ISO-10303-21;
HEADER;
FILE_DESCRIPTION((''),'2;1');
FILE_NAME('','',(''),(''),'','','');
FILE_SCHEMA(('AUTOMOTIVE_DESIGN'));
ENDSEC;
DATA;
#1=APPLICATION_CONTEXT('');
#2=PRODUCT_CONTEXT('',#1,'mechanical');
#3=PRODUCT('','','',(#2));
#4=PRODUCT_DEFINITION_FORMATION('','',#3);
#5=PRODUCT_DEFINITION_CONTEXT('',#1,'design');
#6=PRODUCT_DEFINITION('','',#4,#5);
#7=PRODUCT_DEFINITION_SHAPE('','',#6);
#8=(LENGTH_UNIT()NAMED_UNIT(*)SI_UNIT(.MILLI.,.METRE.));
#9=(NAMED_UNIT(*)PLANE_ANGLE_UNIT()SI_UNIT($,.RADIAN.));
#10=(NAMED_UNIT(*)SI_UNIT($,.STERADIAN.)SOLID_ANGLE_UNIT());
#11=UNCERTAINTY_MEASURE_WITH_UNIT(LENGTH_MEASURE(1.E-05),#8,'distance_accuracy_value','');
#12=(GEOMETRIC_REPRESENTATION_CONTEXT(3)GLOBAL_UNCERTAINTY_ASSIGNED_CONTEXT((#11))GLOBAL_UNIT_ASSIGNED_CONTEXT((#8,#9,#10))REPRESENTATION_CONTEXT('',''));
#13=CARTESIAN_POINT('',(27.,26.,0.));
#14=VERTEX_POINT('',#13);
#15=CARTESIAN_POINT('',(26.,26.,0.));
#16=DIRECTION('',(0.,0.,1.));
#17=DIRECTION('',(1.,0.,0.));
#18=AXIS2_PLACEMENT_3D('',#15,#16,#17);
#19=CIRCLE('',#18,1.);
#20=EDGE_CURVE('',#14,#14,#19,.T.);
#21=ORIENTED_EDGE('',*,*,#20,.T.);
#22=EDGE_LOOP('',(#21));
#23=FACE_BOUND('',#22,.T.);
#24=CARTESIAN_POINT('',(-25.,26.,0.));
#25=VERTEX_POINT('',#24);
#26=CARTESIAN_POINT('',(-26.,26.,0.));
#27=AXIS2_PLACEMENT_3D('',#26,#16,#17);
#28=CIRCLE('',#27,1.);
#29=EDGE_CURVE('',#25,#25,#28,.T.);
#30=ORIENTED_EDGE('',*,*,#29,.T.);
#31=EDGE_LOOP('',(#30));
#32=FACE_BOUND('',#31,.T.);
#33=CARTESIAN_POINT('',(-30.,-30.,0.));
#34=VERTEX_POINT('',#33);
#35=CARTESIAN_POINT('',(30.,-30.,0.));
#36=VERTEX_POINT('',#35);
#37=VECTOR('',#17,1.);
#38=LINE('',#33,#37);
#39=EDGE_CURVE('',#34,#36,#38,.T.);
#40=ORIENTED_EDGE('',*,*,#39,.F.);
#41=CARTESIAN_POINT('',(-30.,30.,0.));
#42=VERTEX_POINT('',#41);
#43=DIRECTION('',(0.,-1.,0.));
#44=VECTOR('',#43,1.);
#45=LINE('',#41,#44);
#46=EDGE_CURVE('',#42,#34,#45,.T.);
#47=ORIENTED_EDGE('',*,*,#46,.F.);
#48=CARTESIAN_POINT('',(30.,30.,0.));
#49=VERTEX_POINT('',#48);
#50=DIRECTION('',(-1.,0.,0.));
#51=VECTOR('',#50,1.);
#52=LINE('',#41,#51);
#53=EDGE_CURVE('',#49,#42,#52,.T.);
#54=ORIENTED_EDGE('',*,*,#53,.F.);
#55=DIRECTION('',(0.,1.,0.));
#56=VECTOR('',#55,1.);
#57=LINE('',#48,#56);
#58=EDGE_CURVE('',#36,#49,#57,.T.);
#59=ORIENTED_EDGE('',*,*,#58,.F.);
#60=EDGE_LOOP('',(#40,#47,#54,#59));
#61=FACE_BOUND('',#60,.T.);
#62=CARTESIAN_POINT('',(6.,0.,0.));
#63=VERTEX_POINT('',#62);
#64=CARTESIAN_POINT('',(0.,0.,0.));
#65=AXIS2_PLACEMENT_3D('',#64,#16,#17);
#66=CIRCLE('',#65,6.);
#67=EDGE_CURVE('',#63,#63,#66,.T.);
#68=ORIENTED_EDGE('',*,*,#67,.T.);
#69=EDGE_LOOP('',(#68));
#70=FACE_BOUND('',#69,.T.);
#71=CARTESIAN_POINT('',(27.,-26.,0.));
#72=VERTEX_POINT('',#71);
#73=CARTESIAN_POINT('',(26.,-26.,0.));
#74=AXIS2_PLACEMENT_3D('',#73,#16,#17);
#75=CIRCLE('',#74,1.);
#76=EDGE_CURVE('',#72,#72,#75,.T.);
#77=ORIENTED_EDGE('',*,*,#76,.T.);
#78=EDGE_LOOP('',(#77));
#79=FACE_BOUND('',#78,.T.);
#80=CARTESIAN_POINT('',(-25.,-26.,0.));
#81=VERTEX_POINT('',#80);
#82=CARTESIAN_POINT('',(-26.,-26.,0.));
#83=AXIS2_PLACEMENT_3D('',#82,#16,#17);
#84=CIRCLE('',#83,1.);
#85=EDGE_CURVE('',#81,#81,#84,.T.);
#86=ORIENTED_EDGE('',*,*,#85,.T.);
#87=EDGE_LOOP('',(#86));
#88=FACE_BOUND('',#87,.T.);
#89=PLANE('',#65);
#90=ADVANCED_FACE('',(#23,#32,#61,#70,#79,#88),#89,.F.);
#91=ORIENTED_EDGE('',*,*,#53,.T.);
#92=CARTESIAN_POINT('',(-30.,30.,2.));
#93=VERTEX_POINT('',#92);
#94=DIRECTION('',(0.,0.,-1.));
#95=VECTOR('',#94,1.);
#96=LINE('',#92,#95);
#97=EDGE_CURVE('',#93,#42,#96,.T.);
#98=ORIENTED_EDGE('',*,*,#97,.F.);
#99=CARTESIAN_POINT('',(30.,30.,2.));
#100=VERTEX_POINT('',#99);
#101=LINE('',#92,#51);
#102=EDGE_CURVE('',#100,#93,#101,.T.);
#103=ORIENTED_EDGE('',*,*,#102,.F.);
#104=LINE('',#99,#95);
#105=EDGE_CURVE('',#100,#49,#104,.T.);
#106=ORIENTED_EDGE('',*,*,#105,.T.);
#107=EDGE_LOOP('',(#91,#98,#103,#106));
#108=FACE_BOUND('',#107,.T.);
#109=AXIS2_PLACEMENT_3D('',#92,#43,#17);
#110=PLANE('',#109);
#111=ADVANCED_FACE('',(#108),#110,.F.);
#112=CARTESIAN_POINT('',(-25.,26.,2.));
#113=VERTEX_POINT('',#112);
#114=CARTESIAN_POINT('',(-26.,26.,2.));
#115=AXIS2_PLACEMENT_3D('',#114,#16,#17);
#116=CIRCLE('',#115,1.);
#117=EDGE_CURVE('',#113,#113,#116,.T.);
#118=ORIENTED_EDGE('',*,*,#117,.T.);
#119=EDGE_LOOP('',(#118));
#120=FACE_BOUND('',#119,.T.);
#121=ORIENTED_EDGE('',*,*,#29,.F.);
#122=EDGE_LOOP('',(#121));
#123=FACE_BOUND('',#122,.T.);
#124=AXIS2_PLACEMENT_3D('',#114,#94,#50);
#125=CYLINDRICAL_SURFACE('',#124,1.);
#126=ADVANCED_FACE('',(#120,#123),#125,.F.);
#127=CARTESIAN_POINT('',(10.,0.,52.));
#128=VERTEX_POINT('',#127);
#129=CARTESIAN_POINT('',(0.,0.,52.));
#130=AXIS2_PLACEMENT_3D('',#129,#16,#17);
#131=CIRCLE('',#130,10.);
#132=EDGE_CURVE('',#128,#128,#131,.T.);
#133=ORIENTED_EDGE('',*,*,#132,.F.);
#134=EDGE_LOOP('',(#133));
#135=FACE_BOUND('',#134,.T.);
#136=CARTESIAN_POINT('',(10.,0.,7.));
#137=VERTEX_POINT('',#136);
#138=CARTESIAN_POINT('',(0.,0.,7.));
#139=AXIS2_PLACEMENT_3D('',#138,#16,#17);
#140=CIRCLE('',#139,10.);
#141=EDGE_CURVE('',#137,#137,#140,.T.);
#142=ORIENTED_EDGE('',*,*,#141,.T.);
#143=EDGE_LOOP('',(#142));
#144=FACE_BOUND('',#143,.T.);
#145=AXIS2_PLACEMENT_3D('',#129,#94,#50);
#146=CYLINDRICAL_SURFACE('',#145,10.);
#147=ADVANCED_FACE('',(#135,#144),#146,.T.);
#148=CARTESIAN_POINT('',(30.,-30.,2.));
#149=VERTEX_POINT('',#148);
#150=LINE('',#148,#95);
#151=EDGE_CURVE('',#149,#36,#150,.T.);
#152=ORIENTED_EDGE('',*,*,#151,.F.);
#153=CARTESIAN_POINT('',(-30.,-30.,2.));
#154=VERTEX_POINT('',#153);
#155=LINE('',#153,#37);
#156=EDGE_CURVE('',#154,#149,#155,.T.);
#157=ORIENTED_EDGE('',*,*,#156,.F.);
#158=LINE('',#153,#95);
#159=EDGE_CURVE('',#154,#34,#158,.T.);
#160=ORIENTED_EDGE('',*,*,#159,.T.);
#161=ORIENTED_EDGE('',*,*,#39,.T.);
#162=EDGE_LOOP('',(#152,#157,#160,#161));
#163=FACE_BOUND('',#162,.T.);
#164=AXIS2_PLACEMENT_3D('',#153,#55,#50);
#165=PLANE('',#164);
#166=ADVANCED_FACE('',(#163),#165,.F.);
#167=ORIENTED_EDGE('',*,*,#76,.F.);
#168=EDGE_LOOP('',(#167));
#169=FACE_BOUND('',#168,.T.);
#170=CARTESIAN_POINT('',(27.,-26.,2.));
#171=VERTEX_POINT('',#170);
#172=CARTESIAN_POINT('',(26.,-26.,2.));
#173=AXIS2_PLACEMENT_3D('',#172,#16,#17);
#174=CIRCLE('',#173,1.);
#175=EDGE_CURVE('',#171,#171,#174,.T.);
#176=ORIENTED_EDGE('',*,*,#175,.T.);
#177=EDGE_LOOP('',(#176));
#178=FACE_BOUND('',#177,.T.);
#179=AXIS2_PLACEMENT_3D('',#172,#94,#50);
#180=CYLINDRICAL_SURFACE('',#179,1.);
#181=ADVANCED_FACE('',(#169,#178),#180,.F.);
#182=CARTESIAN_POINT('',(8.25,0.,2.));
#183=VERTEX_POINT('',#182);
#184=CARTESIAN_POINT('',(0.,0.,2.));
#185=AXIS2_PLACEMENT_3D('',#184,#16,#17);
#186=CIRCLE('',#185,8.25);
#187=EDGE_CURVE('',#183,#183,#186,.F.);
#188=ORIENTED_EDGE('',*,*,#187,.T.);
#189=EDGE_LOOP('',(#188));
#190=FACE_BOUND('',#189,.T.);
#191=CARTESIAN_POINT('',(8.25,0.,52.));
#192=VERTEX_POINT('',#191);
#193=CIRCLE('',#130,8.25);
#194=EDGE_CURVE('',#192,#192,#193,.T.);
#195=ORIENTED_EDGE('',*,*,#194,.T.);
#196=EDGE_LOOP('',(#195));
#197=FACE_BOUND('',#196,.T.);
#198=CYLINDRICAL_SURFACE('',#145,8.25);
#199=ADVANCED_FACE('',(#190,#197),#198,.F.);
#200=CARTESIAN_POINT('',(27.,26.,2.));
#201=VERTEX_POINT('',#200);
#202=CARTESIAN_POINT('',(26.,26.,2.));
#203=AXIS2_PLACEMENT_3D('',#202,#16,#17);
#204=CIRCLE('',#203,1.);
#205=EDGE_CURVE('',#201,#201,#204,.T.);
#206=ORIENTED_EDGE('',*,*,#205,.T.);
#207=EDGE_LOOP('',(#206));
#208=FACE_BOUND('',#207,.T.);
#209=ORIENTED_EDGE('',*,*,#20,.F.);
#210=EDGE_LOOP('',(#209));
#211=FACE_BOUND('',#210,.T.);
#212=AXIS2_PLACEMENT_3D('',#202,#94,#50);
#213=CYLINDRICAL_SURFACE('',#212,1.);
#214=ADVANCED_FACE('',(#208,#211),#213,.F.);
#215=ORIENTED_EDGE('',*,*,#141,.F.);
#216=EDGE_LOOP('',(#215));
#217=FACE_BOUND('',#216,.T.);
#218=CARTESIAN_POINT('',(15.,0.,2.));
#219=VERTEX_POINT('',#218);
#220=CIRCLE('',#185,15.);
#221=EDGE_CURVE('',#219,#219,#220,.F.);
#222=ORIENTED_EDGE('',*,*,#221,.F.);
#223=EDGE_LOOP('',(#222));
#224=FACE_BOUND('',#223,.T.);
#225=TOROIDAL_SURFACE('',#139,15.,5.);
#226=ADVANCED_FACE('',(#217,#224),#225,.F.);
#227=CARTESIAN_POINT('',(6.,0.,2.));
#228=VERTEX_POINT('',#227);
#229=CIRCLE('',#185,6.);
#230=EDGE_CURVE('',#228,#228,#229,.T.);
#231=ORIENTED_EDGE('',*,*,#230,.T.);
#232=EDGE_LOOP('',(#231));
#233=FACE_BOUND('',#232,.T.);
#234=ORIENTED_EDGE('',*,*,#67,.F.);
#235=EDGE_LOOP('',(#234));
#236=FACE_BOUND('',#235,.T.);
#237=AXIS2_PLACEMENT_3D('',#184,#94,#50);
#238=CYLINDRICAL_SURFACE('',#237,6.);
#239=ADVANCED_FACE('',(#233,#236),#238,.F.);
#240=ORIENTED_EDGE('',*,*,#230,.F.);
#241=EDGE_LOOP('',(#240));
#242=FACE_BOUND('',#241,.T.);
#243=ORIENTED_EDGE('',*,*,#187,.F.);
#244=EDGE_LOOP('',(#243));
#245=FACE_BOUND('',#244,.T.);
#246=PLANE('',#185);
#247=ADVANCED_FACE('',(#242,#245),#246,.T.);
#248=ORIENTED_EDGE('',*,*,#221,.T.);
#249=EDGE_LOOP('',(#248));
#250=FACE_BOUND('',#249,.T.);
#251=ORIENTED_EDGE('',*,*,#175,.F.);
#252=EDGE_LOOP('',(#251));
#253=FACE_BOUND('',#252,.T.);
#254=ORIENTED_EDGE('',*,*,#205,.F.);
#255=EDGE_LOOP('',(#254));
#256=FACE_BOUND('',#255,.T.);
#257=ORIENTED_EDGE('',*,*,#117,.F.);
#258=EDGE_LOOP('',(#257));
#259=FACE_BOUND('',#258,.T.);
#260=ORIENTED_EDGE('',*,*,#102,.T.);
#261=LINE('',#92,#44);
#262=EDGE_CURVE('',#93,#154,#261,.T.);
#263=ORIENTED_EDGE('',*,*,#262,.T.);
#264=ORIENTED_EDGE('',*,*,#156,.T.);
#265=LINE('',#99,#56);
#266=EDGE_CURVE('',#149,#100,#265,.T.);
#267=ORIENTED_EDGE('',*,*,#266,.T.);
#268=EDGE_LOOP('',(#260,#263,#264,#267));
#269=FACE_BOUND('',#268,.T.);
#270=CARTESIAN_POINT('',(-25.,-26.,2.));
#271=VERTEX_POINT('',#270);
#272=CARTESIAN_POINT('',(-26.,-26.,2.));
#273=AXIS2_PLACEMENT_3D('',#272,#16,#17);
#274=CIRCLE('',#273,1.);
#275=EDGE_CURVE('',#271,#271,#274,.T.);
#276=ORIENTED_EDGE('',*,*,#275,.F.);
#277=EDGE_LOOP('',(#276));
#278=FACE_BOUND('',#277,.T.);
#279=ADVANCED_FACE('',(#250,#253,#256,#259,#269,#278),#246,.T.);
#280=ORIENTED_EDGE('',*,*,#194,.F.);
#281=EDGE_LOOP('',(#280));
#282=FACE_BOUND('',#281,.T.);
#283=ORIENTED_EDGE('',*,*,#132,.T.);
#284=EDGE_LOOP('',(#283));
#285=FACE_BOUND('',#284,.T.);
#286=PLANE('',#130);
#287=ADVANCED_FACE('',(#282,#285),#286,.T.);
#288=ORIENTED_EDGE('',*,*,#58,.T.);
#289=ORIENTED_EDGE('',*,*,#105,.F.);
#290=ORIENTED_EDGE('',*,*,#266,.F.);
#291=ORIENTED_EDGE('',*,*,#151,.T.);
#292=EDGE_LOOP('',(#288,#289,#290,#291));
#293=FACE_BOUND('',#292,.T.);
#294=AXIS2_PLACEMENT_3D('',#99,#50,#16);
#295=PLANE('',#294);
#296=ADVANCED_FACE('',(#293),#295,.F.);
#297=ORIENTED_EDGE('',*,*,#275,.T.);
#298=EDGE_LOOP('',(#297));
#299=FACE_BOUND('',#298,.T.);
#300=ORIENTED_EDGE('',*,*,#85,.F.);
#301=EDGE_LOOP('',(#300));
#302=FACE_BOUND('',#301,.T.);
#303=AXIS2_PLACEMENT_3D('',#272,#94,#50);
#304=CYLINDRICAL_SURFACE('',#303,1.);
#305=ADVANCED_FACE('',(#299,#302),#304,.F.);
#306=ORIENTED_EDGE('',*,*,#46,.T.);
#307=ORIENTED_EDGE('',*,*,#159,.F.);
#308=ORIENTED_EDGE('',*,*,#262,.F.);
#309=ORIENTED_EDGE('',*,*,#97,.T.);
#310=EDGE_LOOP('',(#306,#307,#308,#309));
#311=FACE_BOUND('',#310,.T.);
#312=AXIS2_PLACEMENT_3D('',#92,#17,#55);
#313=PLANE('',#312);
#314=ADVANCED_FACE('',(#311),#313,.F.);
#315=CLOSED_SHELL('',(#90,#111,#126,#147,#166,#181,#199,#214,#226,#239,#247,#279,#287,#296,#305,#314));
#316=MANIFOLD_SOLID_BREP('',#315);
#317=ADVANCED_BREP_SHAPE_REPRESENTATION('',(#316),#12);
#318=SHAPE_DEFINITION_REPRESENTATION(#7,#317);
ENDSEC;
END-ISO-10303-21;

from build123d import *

# Parameters (mm, degrees)
ESQUISSE1_W        = 60
ESQUISSE1_H        = 60
ESQUISSE1_R        = 6
ESQUISSE1_R_2      = 1
BOSS_EXTRU_1_DEPTH = 2
ESQUISSE2_R        = 10
ESQUISSE2_R_2      = 8.25
BOSS_EXTRU_2_DEPTH = 50
CONG_1_R           = 5


with BuildPart() as part:
    # Esquisse1 → Boss.-Extru.1 (new body)
    with BuildSketch(Plane.XY):
        Rectangle(ESQUISSE1_W, ESQUISSE1_H)
        Circle(ESQUISSE1_R, mode=Mode.SUBTRACT)
        with Locations((-26, 26)):
            Circle(ESQUISSE1_R_2, mode=Mode.SUBTRACT)
        with Locations((26, 26)):
            Circle(ESQUISSE1_R_2, mode=Mode.SUBTRACT)
        with Locations((26, -26)):
            Circle(ESQUISSE1_R_2, mode=Mode.SUBTRACT)
        with Locations((-26, -26)):
            Circle(ESQUISSE1_R_2, mode=Mode.SUBTRACT)
    extrude(amount=BOSS_EXTRU_1_DEPTH)

    # Esquisse2 → Boss.-Extru.2 (add)
    with BuildSketch(Plane.XY.offset(2)):
        Circle(ESQUISSE2_R)
        Circle(ESQUISSE2_R_2, mode=Mode.SUBTRACT)
    extrude(amount=BOSS_EXTRU_2_DEPTH)

    # Congé1
    cong_1_edges = [part.edges().sort_by_distance(p)[0] for p in [
        (-10, 0, 2),
    ]]
    fillet(cong_1_edges, radius=CONG_1_R)


solid = part.part
